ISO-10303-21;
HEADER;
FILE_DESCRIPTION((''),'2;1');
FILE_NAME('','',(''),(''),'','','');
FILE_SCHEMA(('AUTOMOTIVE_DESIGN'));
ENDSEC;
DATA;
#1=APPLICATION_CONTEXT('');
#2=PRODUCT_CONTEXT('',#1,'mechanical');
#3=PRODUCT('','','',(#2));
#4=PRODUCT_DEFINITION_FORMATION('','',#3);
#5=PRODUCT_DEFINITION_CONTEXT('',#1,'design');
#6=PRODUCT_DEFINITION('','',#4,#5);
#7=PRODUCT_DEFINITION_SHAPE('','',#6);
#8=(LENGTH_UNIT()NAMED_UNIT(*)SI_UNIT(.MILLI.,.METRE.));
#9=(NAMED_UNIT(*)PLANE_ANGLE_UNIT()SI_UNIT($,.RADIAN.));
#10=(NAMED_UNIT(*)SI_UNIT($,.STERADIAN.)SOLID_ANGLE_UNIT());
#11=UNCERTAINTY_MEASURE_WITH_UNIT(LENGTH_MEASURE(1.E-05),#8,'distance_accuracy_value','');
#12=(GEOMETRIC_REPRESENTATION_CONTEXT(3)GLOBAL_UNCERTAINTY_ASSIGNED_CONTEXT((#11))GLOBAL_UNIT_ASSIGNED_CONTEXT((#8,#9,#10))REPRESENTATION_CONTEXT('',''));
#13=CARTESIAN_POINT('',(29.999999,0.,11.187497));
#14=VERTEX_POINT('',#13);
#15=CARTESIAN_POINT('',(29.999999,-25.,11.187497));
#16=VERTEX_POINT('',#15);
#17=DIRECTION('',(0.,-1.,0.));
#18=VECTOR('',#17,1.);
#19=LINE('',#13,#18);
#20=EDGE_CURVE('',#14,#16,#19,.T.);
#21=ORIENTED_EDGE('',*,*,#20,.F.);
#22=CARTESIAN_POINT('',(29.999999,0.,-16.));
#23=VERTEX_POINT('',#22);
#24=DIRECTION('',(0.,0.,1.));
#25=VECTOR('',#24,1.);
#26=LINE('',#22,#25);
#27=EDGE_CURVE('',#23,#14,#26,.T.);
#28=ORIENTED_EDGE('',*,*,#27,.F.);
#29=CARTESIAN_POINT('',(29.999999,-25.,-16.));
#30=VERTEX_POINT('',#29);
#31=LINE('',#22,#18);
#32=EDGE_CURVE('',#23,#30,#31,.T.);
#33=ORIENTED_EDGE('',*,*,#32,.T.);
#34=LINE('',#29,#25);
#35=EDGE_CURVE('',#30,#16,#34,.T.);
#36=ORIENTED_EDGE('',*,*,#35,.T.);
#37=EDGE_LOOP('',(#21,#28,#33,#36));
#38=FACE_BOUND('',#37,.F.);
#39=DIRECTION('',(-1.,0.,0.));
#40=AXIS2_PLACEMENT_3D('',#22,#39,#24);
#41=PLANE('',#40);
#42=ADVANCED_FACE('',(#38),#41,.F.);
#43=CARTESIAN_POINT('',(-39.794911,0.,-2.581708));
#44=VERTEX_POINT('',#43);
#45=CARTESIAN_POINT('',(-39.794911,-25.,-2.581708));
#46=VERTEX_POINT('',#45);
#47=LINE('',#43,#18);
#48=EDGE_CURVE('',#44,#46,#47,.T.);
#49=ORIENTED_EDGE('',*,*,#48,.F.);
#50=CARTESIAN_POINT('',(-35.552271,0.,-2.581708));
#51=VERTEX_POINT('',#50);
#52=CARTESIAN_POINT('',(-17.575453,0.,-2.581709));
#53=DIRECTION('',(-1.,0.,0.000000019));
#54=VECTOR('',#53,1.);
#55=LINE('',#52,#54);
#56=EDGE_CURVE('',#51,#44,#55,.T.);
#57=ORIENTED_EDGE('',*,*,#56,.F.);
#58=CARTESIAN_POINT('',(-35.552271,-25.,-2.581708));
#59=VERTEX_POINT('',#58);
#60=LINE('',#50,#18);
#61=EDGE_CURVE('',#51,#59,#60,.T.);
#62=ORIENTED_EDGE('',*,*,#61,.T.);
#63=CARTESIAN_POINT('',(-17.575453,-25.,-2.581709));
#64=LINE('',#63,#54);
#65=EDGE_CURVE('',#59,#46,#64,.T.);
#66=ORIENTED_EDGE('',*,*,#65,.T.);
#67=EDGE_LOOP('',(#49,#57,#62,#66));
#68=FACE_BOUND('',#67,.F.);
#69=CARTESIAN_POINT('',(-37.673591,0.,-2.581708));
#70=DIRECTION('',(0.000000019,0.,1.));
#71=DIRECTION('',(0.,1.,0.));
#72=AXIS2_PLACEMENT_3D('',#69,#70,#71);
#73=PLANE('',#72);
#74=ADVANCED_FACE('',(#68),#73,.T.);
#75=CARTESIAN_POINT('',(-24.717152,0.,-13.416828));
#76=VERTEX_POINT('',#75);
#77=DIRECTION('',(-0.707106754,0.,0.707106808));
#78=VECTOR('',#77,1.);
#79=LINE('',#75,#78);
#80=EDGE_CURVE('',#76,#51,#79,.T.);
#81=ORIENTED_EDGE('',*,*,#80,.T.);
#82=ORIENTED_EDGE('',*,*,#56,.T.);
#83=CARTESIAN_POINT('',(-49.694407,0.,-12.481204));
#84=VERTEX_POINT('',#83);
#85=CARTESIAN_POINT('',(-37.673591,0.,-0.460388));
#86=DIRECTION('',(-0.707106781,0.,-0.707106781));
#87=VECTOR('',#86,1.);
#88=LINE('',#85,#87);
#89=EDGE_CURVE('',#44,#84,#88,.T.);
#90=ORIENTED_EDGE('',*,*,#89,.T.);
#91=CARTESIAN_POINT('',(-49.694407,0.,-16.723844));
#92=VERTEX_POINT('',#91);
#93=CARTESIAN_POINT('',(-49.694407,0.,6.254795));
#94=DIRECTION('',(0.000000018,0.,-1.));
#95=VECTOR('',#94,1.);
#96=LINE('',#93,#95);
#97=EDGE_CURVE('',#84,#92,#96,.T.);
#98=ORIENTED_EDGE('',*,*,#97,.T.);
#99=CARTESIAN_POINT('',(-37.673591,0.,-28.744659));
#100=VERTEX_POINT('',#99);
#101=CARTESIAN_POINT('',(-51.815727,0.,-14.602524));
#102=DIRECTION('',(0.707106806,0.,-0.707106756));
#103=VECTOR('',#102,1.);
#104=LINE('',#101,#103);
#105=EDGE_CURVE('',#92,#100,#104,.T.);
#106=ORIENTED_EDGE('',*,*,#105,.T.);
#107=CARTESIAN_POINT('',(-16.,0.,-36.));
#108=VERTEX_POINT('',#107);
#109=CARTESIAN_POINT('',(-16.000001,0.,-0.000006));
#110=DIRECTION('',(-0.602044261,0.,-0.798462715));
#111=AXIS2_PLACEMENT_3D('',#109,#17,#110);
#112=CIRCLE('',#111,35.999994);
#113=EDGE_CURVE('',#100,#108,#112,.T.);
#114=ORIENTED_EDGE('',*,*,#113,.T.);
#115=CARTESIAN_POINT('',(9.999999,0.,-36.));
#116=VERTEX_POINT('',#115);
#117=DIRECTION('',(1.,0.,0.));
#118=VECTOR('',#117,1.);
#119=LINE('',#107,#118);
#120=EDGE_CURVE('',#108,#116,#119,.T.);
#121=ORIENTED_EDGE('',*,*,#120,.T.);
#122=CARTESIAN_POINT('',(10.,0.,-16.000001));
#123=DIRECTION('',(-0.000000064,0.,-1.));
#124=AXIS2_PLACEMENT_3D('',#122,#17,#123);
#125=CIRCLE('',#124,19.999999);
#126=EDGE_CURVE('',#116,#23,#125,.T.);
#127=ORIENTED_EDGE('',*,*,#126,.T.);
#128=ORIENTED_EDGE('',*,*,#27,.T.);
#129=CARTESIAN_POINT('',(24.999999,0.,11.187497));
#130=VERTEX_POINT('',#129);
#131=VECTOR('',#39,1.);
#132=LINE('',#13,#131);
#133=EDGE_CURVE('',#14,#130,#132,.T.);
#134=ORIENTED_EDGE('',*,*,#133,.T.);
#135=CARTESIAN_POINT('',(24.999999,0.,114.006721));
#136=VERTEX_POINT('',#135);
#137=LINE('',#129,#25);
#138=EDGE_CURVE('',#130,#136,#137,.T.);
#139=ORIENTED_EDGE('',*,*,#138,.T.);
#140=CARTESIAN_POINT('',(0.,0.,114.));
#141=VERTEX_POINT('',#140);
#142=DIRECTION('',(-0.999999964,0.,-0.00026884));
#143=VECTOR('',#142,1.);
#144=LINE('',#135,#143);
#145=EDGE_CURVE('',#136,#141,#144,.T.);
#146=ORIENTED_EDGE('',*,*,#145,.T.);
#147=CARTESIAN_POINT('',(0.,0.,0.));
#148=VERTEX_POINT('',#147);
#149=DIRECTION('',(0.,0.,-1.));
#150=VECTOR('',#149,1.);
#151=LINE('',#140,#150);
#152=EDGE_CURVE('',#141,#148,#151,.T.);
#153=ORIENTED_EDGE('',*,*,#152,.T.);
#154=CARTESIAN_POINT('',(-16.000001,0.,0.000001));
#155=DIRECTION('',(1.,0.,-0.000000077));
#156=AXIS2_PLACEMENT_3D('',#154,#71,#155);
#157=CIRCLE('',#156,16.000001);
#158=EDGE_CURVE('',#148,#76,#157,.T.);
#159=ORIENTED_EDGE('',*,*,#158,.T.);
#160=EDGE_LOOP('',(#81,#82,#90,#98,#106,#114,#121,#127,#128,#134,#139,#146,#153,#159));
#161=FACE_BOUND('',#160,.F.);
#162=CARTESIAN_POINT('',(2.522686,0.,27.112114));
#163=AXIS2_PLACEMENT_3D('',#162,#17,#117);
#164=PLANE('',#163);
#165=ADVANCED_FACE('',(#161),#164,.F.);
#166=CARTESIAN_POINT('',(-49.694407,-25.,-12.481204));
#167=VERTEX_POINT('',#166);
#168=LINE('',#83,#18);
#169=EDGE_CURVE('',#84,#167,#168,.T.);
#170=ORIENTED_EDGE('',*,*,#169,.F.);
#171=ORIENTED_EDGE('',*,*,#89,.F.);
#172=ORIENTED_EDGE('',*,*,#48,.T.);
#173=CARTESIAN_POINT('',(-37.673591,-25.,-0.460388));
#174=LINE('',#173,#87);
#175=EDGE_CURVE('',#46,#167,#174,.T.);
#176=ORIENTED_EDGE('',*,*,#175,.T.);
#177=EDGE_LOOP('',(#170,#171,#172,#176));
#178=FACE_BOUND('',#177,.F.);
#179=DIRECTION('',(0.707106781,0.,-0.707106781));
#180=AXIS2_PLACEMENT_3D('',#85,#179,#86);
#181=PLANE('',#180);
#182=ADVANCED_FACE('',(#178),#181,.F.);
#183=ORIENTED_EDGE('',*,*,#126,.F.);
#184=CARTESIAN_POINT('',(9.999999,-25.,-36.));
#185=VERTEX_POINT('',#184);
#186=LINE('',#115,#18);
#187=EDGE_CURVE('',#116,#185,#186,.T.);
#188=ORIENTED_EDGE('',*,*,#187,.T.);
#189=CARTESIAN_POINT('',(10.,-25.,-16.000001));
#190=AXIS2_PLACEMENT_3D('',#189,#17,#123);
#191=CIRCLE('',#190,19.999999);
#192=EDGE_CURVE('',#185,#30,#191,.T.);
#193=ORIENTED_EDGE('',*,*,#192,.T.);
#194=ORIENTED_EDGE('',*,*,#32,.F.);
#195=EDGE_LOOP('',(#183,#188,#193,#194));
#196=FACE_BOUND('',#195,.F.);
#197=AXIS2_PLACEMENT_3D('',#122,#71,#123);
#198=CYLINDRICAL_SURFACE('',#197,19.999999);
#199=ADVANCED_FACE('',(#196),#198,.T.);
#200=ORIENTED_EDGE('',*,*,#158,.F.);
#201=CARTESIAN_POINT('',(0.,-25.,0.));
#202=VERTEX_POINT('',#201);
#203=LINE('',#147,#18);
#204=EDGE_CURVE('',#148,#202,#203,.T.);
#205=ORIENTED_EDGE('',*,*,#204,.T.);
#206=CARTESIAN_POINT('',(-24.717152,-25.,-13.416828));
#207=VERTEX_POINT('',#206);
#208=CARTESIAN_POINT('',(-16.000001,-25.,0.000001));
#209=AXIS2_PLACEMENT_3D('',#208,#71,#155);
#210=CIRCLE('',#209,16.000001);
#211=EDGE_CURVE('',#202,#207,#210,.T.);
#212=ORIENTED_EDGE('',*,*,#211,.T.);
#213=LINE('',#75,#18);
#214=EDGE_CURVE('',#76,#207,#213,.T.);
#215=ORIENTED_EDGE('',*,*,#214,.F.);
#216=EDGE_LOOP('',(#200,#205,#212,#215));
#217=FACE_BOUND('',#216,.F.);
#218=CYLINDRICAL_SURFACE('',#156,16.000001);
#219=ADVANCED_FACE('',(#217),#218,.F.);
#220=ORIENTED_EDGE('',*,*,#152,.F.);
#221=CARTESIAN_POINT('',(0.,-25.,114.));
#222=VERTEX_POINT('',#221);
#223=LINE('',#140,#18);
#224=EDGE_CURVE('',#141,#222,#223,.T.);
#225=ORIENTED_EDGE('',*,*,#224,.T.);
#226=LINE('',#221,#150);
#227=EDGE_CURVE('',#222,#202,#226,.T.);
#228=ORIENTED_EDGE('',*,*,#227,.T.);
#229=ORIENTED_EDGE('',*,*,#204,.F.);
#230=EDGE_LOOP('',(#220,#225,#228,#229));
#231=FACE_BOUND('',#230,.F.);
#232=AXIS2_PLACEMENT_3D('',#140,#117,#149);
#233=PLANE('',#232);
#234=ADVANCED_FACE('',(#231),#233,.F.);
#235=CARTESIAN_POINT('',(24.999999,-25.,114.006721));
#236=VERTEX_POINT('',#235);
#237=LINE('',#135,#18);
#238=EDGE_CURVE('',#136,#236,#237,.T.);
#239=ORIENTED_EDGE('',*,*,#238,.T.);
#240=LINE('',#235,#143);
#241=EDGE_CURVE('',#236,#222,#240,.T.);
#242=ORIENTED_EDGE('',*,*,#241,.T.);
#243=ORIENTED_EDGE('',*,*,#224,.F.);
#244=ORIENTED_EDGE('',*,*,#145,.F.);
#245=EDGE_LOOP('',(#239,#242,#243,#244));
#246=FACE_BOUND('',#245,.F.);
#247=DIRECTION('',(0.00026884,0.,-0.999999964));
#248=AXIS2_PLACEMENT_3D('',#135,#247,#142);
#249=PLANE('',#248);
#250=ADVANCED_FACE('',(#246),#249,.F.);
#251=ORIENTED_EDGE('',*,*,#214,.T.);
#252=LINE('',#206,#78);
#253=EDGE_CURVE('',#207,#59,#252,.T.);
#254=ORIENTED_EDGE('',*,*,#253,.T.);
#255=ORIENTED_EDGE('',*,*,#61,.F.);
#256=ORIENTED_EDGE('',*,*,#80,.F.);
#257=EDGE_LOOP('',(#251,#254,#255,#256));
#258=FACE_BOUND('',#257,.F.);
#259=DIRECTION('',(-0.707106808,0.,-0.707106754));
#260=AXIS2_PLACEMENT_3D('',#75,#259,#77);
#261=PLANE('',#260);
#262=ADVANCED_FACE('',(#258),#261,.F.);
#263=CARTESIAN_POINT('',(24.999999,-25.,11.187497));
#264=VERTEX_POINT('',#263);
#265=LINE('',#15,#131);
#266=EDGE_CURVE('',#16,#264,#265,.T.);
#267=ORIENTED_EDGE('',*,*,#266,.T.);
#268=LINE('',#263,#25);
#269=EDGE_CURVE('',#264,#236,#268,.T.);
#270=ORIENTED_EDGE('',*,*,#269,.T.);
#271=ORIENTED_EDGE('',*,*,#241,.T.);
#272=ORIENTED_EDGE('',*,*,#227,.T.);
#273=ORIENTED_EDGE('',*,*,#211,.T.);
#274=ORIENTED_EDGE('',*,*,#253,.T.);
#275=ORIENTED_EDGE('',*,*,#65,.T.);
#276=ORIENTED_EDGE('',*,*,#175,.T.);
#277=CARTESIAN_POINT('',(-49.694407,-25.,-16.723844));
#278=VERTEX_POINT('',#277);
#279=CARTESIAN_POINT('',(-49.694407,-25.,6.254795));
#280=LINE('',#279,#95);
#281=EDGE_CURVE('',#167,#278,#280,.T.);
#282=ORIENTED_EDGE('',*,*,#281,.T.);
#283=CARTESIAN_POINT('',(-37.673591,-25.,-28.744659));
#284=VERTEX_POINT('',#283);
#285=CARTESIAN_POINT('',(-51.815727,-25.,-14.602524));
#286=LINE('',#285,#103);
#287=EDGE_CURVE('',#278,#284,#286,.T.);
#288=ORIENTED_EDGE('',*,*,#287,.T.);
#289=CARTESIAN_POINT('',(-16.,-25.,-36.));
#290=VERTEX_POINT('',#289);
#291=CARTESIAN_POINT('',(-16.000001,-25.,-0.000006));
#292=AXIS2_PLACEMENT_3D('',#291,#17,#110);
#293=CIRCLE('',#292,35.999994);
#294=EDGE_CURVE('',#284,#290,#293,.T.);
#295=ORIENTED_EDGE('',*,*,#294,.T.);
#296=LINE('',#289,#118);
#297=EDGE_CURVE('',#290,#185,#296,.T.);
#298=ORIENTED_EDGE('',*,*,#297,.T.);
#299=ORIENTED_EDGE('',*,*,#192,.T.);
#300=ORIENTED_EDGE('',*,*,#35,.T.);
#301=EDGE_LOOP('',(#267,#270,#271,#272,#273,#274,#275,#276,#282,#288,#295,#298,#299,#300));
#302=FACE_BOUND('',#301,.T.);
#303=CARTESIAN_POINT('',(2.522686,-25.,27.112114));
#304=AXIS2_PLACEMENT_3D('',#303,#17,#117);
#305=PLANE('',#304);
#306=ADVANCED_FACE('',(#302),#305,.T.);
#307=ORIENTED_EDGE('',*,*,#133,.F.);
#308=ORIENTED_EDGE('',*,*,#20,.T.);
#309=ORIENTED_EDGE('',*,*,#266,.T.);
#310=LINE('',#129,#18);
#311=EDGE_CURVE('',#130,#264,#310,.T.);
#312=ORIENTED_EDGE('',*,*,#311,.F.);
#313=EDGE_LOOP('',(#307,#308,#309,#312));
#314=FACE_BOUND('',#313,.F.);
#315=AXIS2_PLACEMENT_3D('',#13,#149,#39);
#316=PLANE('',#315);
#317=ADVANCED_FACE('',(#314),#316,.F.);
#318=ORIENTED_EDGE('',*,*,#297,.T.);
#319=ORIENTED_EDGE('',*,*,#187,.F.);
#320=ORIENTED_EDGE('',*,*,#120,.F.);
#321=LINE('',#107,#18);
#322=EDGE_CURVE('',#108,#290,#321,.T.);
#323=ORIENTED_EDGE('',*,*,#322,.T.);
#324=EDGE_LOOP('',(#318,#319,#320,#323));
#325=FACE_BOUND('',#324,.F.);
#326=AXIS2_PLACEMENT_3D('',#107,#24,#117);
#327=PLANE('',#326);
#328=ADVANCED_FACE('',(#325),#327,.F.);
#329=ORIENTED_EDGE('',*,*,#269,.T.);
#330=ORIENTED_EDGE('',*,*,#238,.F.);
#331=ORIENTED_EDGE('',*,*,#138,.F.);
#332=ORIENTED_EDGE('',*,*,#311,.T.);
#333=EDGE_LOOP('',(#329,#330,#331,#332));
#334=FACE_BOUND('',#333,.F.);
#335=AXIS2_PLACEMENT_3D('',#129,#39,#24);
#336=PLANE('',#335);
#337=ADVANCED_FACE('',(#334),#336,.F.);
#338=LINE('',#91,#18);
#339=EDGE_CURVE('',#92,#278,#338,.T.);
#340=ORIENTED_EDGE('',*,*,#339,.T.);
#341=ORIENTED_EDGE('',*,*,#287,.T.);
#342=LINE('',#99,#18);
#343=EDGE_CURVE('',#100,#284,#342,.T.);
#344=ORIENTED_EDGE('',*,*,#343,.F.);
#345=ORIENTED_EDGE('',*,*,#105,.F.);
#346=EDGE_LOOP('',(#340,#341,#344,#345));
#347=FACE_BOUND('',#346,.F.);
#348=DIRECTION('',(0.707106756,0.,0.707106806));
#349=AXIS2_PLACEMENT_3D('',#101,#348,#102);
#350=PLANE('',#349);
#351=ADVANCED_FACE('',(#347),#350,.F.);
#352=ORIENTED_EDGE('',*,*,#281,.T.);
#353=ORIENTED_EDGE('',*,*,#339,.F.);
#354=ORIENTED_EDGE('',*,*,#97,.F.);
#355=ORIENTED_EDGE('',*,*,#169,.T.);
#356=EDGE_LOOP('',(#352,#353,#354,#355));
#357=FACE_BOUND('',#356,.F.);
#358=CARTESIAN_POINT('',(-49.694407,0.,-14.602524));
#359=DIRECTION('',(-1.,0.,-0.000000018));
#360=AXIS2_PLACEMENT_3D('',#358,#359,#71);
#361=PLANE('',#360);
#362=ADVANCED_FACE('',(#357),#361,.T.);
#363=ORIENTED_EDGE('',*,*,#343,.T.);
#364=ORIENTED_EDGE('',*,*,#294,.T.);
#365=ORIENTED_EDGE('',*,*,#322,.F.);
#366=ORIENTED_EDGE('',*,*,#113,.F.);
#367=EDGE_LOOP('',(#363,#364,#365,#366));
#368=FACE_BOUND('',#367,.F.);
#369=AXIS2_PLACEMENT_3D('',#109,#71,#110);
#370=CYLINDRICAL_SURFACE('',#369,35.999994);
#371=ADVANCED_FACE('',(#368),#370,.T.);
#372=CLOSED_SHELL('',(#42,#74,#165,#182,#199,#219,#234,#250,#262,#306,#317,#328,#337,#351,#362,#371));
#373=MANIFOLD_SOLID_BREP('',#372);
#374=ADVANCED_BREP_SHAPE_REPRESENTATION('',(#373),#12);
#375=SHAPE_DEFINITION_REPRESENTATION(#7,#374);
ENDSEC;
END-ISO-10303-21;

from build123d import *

# Parameters (mm, degrees)
F1_DEPTH = 25
F2_SIZE  = 3


with BuildPart() as f1:
    # F0 (on Front) → F1 (new body)
    with BuildSketch(Plane.XZ):
        with BuildLine():
            Line((24.999999, 114.006721), (0, 114))
            Line((0, 114), (0, 0))
            ThreePointArc((0, 0), (-8.366994, -14.061906), (-24.717152, -13.416828))
            Line((-24.717152, -13.416828), (-37.673591, -0.460388))
            Line((-37.673591, -0.460388), (-51.815727, -14.602524))
            Line((-51.815727, -14.602524), (-37.673591, -28.744659))
            ThreePointArc((-37.673591, -28.744659), (-27.427867, -34.138012), (-16, -36))
            Line((-16, -36), (9.999999, -36))
            ThreePointArc((9.999999, -36), (24.142135, -30.142136), (29.999999, -16))
            Line((29.999999, -16), (29.999999, 11.187497))
            Line((29.999999, 11.187497), (24.999999, 11.187497))
            Line((24.999999, 11.187497), (24.999999, 114.006721))
        make_face()
    extrude(amount=F1_DEPTH)

    # F2
    f2_edges = [f1.edges().sort_by_distance(p)[0] for p in [
        (-37.673591, -12.5, -0.460388),
        (-51.815727, -12.5, -14.602524),
    ]]
    chamfer(f2_edges, length=F2_SIZE)


solid = f1.part
